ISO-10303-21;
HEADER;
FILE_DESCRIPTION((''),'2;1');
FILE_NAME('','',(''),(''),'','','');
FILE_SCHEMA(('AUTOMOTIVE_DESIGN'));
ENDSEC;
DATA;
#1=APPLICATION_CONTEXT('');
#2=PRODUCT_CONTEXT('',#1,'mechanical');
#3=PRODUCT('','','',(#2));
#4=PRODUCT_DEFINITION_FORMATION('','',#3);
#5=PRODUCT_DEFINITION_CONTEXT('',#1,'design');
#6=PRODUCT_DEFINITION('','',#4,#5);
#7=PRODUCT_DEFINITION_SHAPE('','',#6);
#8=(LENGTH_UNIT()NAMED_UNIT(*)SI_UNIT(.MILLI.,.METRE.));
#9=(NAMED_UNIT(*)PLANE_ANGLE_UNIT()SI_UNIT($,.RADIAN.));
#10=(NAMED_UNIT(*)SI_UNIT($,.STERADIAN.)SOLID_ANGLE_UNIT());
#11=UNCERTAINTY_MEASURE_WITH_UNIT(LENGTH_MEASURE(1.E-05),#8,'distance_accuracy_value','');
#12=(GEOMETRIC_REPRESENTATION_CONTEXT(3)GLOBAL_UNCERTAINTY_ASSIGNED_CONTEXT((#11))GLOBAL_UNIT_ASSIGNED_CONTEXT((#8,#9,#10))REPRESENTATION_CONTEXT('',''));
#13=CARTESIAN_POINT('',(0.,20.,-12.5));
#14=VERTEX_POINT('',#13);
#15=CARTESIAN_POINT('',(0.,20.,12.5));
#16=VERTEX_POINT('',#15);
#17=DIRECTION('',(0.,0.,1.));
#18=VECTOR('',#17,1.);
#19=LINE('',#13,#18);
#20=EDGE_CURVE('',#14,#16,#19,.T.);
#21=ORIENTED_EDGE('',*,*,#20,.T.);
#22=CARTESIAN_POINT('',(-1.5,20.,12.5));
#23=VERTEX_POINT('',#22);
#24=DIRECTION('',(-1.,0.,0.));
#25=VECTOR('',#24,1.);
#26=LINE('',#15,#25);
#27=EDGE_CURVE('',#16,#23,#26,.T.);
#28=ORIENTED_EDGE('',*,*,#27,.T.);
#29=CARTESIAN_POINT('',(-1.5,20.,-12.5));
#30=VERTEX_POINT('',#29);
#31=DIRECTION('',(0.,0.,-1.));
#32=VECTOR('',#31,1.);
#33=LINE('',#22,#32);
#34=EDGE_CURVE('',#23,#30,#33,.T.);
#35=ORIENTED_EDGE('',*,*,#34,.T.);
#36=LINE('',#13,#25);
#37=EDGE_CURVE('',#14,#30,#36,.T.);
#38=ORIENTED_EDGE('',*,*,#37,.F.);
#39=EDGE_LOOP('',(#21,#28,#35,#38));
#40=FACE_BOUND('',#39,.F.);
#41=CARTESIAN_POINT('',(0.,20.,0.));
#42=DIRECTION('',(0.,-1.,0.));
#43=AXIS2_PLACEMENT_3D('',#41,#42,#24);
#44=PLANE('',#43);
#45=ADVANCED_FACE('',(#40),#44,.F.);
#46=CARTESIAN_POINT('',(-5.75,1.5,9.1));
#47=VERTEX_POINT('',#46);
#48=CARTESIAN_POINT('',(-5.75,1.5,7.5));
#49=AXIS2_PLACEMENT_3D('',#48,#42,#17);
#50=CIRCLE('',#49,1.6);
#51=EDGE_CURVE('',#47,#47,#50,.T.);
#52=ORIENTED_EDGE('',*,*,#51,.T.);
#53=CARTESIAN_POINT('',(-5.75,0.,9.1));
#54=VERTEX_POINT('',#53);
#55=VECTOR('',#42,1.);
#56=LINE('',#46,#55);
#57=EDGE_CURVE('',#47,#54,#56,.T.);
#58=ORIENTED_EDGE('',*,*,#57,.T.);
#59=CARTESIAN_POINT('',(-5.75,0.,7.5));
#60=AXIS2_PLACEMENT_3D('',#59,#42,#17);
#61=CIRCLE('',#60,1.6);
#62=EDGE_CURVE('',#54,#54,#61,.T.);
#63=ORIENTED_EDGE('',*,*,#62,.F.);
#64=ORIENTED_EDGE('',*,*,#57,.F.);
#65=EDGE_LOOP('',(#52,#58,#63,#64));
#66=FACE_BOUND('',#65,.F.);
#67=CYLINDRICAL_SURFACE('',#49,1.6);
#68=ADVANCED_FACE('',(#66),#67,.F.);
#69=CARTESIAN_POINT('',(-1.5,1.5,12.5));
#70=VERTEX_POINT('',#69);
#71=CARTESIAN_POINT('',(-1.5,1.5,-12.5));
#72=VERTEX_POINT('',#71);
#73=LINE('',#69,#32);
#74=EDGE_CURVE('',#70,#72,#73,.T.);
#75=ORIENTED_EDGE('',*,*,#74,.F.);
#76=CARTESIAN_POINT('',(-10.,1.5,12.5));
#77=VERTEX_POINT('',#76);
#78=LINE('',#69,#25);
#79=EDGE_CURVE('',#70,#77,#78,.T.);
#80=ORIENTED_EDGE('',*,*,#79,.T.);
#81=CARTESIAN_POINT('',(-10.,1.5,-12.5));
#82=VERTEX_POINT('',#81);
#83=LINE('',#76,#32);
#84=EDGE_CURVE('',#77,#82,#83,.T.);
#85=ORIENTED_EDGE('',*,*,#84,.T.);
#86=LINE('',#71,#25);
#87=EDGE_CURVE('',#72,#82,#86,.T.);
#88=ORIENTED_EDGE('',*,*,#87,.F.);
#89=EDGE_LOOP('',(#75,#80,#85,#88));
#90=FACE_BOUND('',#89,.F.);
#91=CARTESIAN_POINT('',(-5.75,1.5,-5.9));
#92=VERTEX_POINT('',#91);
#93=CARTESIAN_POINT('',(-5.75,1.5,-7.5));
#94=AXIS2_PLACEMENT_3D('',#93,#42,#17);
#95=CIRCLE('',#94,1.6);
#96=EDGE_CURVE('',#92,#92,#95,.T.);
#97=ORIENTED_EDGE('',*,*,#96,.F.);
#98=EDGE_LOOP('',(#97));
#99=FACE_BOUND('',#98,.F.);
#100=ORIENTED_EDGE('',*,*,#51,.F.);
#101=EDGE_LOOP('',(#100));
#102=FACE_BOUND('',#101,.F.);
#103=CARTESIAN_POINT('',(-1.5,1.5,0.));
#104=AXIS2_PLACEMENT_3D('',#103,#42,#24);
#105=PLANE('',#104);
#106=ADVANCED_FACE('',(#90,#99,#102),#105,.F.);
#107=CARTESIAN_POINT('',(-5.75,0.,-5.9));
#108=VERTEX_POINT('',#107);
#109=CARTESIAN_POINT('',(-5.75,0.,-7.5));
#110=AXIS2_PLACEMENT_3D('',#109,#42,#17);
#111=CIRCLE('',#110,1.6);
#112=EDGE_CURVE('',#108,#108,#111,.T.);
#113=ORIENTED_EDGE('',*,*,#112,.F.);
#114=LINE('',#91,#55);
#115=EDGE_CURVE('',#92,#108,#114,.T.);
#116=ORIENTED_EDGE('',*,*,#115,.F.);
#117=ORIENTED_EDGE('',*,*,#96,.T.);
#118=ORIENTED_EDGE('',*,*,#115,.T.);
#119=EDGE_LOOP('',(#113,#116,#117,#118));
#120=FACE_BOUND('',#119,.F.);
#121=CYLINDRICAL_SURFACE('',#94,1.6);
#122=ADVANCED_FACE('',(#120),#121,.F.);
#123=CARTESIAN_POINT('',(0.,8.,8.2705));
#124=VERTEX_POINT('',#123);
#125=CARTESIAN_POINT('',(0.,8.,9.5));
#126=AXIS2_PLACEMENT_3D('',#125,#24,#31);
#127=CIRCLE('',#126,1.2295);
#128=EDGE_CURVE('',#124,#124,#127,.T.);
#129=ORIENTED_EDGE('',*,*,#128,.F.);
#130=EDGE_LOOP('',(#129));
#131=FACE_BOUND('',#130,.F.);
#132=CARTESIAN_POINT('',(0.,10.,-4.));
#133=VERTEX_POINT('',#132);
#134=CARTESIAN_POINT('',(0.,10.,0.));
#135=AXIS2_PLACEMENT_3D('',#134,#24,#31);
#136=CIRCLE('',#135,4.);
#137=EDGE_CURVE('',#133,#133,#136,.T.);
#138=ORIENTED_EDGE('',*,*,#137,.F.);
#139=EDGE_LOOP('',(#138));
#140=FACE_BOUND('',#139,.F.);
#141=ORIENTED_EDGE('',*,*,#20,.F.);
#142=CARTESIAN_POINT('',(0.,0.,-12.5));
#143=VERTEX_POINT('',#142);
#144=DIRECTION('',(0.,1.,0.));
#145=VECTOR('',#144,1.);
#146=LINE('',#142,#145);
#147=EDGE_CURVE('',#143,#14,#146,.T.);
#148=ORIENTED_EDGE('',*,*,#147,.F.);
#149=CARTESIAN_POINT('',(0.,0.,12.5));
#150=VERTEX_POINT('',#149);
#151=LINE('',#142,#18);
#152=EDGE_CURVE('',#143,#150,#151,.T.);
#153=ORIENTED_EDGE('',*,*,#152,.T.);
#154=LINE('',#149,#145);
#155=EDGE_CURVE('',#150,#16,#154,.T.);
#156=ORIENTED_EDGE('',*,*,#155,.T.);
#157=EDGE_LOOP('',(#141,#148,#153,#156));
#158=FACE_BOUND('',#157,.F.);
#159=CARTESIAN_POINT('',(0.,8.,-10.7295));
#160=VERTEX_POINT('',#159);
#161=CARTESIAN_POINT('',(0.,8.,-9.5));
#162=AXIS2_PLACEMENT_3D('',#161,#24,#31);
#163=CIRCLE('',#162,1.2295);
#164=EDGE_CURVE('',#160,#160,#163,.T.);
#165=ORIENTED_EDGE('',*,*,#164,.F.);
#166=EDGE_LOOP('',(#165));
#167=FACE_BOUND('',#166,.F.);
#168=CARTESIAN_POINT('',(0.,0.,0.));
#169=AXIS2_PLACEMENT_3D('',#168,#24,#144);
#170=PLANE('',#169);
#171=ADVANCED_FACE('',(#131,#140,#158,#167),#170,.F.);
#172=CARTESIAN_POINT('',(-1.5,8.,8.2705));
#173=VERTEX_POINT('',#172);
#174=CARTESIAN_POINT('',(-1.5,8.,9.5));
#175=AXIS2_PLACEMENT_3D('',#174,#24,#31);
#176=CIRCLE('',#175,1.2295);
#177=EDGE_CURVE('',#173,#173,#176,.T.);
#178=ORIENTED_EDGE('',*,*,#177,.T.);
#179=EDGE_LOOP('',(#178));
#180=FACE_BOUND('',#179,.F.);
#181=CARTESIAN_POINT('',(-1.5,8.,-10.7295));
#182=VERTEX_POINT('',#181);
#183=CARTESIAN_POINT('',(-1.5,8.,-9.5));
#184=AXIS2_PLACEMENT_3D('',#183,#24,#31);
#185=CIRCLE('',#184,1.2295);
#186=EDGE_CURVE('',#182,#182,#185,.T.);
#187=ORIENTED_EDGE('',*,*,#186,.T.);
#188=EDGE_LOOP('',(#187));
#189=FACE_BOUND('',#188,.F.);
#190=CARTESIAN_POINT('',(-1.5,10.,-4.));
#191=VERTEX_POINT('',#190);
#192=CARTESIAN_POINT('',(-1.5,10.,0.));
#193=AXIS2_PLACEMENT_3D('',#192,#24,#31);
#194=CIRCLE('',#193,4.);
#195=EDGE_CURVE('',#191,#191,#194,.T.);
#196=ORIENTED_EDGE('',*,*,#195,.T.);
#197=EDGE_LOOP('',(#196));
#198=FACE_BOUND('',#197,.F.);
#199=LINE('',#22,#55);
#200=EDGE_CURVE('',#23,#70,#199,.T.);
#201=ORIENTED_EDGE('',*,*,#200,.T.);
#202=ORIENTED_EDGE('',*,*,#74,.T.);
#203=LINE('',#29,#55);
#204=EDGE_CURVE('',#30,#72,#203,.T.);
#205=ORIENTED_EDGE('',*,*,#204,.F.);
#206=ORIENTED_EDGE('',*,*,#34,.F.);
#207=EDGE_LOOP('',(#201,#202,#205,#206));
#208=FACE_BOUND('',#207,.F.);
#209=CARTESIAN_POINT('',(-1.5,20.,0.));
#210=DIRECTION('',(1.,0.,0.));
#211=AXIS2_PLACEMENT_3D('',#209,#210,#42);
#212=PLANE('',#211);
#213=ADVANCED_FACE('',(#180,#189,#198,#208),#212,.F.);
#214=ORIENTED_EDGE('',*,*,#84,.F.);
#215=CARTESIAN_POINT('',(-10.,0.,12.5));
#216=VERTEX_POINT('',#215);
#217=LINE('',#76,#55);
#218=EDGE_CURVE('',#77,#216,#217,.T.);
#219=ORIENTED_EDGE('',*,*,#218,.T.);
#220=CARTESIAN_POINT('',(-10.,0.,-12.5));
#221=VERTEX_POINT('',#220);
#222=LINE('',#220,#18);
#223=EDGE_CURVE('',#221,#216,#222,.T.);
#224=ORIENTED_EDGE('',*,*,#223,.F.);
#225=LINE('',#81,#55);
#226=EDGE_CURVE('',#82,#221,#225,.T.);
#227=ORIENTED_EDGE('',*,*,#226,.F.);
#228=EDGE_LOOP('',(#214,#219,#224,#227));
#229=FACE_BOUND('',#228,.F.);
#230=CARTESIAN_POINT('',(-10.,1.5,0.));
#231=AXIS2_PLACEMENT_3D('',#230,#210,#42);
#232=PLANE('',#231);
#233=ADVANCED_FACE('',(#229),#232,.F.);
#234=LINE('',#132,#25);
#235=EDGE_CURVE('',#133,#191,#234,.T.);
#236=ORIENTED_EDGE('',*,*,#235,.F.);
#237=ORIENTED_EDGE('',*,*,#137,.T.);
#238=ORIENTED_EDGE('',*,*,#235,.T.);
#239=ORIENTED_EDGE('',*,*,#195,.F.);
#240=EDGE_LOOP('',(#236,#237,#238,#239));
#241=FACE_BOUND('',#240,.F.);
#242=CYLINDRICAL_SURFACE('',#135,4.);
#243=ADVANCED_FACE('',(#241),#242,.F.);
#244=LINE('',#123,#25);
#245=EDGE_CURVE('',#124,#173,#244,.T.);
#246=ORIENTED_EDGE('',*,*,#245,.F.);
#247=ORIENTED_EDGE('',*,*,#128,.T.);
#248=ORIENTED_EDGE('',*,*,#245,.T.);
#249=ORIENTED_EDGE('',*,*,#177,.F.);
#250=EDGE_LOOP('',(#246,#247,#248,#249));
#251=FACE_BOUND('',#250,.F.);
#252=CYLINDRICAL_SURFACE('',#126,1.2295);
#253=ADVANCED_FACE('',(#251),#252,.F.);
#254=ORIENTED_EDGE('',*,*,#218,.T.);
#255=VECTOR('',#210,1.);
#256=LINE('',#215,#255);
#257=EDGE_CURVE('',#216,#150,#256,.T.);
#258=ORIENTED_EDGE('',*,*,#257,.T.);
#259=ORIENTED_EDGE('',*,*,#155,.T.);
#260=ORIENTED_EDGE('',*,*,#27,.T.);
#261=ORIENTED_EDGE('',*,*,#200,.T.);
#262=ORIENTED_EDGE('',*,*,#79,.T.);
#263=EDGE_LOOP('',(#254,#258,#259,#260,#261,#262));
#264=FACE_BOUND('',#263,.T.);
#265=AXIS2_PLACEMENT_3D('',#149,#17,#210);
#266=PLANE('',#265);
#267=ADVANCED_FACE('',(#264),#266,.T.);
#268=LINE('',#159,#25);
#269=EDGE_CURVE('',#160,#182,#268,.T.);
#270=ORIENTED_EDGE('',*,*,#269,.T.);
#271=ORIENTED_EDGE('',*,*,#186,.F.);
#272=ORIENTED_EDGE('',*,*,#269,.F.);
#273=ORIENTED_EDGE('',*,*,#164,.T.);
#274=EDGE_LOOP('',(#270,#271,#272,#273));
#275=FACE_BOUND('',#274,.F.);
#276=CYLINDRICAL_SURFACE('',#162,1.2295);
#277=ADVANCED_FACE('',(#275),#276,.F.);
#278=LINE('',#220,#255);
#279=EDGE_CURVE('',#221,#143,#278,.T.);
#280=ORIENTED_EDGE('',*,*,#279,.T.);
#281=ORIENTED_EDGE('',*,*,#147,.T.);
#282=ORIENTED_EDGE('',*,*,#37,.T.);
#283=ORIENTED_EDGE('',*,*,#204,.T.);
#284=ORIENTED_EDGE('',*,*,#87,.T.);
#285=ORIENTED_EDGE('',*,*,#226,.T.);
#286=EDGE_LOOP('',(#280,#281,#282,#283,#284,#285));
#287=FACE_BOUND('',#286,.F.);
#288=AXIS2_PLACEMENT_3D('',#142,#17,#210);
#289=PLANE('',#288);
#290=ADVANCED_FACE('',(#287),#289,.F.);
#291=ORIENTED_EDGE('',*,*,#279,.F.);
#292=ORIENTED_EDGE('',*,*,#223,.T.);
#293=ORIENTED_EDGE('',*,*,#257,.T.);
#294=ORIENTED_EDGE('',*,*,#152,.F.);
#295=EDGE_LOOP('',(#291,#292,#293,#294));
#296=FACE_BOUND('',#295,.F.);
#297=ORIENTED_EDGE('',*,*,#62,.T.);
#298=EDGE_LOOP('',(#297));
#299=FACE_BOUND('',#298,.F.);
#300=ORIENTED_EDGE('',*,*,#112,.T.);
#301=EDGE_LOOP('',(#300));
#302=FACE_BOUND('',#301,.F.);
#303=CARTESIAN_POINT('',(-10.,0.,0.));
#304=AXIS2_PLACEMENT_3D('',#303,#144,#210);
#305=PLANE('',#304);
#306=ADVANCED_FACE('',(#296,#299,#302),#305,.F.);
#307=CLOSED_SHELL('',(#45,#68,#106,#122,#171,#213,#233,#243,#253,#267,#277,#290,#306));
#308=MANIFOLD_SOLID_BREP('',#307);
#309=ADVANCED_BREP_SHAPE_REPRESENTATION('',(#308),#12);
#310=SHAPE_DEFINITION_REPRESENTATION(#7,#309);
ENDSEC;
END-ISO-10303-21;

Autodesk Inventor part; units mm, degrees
ref_plane "YZ Plane" through (0, 0, 0) normal (1, 0, 0) x (0, 1, 0)
ref_plane "XZ Plane" through (0, 0, 0) normal (0, 1, 0) x (-1, 0, 0)
ref_plane "XY Plane" through (0, 0, 0) normal (0, 0, 1) x (1, 0, 0)
sketch "Náčrt1" plane through (0, 0, 0) normal (0, 0, 1) x (1, 0, 0)
  line L0 (-10, 0) -> (0, 0)
  line L1 (0, 0) -> (0, 20)
  line L2 (0, 20) -> (-1.5, 20)
  line L3 (-1.5, 20) -> (-1.5, 1.5)
  line L4 (-1.5, 1.5) -> (-10, 1.5)
  line L5 (-10, 1.5) -> (-10, 0)
  line L6 (-12, 0) -> (2, 0) projected
  line L7 (0, 24) -> (0, -4) projected
  point P0 (0, 0)
  dimension "d0" = 20
  dimension "d1" = 10
  dimension "d2" = 1.5
  dimension "d3" = 1.5
extrude "Vysunutí1" add sketch "Náčrt1" along normal mid plane 25
sketch "Náčrt2" plane through (-10, 1.5, 12.5) normal (0, 1, 0) x (1, 0, 0)
  line L0 (0, 0) -> (0, 25) projected
  line L1 (8.5, 0) -> (0, 0) projected
  line L2 (8.5, 25) -> (8.5, 0) projected
  line L3 (0, 25) -> (8.5, 25) projected
  point P0 (10, 12.5)
  point P1 (4.25, 20)
  point P2 (4.25, 5)
  point P3 (4.25, 0)
  dimension "d6" = 4.25
  dimension "d7" = 4.25
  dimension "d56" = 15
  dimension "d57" = 5
hole "Díra1" at (-5.75, 1.5, -7.5) at (-5.75, 1.5, 7.5) direction (0, -1, 0) diameter 3.2 end through all
sketch "Náčrt7" plane through (0, 0, 12.5) normal (1, 0, 0) x (0, 0, -1)
  line L0 (25, 20) -> (0, 20) projected
  line L1 (0, 0) -> (0, 20) projected
  line L2 (25, 0) -> (0, 0) projected
  line L3 (25, 20) -> (25, 0) projected
  point P0 (12.5, 0)
  point P1 (12.5, 10)
  dimension "d58" = 12.5
  dimension "d59" = 10
hole "Díra5" at (0, 10, 0) direction (-1, 0, 0) diameter 8 end through all
sketch "Náčrt8" plane through (0, 0, 12.5) normal (1, 0, 0) x (0, 0, -1)
  circle A0 centre (12.5, 10) radius 4 projected
  line L0 (25, 20) -> (0, 20) projected
  line L1 (0, 0) -> (0, 20) projected
  line L2 (25, 0) -> (0, 0) projected
  line L3 (25, 20) -> (25, 0) projected
  point P0 (12.5, 0)
  point P1 (22, 8)
  point P2 (3, 8)
  dimension "d67" = 8
  dimension "d68" = 8
  dimension "d69" = 3
  dimension "d70" = 3
hole "Díra6" at (0, 8, -9.5) at (0, 8, 9.5) direction (-1, 0, 0) diameter 2.459 end through all thread size "M3x0.5" class "6H" standard "ISO Metric profile"
properties part number "bearing_holder" material "Hliník 6061"
